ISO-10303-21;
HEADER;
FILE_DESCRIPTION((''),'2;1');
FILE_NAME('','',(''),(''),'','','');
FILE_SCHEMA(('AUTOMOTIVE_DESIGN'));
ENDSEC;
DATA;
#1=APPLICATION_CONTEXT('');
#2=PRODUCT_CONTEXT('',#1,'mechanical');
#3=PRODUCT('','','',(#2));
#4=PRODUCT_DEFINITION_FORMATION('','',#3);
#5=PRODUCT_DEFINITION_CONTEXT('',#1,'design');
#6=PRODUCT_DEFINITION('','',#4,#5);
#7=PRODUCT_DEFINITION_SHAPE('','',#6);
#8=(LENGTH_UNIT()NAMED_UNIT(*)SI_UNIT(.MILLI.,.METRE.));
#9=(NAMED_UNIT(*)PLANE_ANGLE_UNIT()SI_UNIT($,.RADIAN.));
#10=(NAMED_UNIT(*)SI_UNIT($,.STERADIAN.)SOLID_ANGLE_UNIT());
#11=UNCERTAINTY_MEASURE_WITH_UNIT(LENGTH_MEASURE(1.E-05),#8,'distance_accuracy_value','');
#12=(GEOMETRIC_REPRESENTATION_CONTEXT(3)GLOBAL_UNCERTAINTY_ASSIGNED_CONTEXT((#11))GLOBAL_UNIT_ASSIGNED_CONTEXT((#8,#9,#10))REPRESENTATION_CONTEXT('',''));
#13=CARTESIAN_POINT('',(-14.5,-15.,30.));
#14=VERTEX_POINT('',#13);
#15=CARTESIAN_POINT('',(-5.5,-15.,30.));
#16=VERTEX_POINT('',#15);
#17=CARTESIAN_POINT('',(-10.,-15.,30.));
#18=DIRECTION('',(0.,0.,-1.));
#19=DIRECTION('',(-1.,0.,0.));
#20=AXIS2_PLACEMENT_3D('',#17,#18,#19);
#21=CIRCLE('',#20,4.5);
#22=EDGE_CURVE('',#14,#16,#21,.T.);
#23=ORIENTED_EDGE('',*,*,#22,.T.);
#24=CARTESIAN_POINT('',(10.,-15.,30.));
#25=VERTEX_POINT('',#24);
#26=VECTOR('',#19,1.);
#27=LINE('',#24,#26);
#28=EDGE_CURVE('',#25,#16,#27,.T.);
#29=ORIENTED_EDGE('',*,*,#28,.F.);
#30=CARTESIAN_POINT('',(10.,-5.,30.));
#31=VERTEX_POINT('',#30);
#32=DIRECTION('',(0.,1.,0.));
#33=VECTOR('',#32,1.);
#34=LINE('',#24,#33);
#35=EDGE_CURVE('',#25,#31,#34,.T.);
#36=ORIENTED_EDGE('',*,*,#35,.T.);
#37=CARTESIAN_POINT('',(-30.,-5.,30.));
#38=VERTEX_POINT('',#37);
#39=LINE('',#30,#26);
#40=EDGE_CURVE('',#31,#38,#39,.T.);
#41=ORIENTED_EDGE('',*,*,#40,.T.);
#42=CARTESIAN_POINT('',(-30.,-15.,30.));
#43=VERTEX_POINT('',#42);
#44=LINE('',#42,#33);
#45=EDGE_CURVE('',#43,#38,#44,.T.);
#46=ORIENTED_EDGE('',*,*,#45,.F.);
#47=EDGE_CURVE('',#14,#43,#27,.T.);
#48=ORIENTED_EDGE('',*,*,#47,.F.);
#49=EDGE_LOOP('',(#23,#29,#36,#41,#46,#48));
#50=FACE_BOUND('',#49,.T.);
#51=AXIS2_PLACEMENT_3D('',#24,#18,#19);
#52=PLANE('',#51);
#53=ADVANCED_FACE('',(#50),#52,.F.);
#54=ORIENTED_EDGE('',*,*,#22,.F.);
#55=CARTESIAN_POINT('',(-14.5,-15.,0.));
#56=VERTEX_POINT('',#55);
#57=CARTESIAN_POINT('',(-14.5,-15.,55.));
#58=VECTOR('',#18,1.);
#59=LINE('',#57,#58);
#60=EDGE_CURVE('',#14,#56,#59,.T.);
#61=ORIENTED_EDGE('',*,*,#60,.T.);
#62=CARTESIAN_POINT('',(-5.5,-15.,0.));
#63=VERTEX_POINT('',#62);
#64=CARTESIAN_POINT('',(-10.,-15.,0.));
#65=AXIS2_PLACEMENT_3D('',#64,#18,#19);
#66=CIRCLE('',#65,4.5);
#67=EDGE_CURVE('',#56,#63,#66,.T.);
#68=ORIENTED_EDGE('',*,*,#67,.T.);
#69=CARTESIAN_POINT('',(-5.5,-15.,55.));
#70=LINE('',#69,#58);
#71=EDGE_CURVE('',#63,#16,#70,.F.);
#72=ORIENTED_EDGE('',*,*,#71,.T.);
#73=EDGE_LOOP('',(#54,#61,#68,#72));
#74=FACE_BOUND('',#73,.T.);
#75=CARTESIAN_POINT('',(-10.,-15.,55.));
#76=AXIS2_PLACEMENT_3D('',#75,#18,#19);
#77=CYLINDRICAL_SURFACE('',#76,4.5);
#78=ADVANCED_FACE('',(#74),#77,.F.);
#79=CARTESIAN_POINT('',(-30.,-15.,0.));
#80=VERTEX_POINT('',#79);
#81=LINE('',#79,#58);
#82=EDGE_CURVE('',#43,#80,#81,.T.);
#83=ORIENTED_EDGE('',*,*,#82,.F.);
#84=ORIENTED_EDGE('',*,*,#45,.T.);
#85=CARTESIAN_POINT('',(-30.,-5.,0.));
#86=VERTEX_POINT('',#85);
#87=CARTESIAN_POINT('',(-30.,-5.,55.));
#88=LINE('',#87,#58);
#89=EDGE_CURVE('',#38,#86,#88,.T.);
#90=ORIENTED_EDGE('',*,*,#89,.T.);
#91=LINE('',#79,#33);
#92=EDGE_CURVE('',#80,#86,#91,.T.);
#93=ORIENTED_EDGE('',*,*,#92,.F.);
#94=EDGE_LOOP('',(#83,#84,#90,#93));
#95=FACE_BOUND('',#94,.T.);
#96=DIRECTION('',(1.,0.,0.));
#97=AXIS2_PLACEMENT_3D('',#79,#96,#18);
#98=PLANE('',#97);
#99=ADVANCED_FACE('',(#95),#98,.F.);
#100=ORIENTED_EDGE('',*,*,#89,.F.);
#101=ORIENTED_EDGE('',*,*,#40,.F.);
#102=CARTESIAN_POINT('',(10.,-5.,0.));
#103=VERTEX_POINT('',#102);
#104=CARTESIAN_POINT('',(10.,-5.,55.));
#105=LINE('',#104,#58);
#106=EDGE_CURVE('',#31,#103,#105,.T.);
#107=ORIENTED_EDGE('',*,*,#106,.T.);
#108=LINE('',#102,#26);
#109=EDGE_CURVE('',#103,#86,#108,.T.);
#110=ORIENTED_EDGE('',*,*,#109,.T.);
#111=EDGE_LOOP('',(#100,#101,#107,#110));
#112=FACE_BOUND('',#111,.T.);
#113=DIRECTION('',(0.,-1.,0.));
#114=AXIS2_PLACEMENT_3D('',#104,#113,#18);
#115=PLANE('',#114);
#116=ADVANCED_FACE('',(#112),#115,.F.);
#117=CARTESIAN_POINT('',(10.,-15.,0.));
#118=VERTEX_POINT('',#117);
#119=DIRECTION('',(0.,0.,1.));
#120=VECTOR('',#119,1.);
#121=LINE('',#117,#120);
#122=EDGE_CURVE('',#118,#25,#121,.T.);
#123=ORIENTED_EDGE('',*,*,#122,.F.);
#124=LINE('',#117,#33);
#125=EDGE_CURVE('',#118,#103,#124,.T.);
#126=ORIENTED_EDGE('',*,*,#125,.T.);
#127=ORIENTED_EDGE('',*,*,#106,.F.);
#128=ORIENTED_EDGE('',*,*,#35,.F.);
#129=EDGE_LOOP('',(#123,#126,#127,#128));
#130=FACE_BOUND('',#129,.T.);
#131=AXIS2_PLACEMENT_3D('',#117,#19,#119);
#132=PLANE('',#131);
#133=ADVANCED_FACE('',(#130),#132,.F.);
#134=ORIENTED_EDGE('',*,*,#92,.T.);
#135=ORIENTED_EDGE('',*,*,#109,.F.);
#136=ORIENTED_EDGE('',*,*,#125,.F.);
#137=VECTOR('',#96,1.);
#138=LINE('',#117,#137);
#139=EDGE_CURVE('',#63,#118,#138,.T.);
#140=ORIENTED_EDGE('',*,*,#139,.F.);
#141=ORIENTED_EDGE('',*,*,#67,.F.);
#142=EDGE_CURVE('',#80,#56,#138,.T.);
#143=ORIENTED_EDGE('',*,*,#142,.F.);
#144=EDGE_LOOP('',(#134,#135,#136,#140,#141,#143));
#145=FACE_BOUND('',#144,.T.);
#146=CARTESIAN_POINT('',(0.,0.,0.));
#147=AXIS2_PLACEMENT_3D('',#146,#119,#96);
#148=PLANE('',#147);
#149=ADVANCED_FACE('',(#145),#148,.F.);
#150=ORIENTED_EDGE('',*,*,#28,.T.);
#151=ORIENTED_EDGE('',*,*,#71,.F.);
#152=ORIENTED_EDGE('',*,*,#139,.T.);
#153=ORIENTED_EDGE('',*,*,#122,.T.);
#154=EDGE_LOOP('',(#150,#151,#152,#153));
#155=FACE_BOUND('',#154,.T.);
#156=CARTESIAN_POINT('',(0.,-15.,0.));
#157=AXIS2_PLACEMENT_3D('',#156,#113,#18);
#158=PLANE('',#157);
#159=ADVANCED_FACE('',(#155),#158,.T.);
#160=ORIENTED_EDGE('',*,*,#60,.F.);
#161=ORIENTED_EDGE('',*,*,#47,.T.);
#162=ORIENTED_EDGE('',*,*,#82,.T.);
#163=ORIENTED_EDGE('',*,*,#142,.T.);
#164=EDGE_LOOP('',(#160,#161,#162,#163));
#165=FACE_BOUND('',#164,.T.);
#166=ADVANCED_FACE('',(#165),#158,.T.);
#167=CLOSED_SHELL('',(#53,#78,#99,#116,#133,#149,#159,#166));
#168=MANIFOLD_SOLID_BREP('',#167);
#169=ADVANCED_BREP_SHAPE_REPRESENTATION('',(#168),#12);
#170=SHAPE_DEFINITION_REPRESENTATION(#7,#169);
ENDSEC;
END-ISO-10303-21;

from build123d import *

# Parameters (mm, degrees)
ESQUISSE1_W             = 20
ESQUISSE1_H             = 30
BOSS_EXTRU_1_DEPTH      = 10
ESQUISSE2_R             = 6
BOSS_EXTRU_2_DEPTH      = 40
ESQUISSE3_W             = 40
ESQUISSE3_H             = 30
BOSS_EXTRU_3_DEPTH      = 15
ESQUISSE4_R             = 4.5
ENL_V_MAT_EXTRU_1_DEPTH = 55
ENL_V_MAT_EXTRU_3_DEPTH = 55
ESQUISSE8_W             = 40.266643215
ESQUISSE8_H             = 36.212285802
ENL_V_MAT_EXTRU_4_DEPTH = 55


with BuildPart() as part:
    # Esquisse1 → Boss.-Extru.1 (new body)
    with BuildSketch(Plane.XY):
        with Locations((-10, 15)):
            Rectangle(ESQUISSE1_W, ESQUISSE1_H)
    extrude(amount=BOSS_EXTRU_1_DEPTH)

    # Esquisse2 → Boss.-Extru.2 (add)
    with BuildSketch(Plane.XY.offset(10)):
        with Locations((-10, 18)):
            Circle(ESQUISSE2_R)
    extrude(amount=BOSS_EXTRU_2_DEPTH)

    # Esquisse3 → Boss.-Extru.3 (add)
    with BuildSketch(Plane.XZ):
        with Locations((-10, 15)):
            Rectangle(ESQUISSE3_W, ESQUISSE3_H)
    extrude(amount=BOSS_EXTRU_3_DEPTH)

    # Esquisse4 → Enlèv. mat.-Extru.1 (cut)
    with BuildSketch(Plane(origin=(0, 0, 0), x_dir=(-1, 0, 0), z_dir=(0, 0, -1))):
        with Locations((10, -15)):
            Circle(ESQUISSE4_R)
    extrude(amount=-ENL_V_MAT_EXTRU_1_DEPTH, mode=Mode.SUBTRACT)

    # Esquisse5 → Enlèv. mat.-Extru.3 (cut)
    with BuildSketch(Plane(origin=(0, 0, 0), x_dir=(-1, 0, 0), z_dir=(0, 0, -1))):
        with BuildLine():
            Line((30, 0), (25, 0))
            ThreePointArc((25, 0), (28.535533906, -1.464466094), (30, -5))
            Line((30, -5), (30, 0))
        make_face()
        with BuildLine():
            Line((-10, 0), (-10, -5))
            ThreePointArc((-10, -5), (-8.535533906, -1.464466094), (-5, 0))
            Line((-5, 0), (-10, 0))
        make_face()
    extrude(amount=-ENL_V_MAT_EXTRU_3_DEPTH, mode=Mode.SUBTRACT)

    # Esquisse8 → Enlèv. mat.-Extru.4 (cut)
    with BuildSketch(Plane(origin=(0, 0, 0), x_dir=(-1, 0, 0), z_dir=(0, 0, -1))):
        with Locations((10.133321608, 13.106142901)):
            Rectangle(ESQUISSE8_W, ESQUISSE8_H)
    extrude(amount=-ENL_V_MAT_EXTRU_4_DEPTH, mode=Mode.SUBTRACT)


solid = part.part
